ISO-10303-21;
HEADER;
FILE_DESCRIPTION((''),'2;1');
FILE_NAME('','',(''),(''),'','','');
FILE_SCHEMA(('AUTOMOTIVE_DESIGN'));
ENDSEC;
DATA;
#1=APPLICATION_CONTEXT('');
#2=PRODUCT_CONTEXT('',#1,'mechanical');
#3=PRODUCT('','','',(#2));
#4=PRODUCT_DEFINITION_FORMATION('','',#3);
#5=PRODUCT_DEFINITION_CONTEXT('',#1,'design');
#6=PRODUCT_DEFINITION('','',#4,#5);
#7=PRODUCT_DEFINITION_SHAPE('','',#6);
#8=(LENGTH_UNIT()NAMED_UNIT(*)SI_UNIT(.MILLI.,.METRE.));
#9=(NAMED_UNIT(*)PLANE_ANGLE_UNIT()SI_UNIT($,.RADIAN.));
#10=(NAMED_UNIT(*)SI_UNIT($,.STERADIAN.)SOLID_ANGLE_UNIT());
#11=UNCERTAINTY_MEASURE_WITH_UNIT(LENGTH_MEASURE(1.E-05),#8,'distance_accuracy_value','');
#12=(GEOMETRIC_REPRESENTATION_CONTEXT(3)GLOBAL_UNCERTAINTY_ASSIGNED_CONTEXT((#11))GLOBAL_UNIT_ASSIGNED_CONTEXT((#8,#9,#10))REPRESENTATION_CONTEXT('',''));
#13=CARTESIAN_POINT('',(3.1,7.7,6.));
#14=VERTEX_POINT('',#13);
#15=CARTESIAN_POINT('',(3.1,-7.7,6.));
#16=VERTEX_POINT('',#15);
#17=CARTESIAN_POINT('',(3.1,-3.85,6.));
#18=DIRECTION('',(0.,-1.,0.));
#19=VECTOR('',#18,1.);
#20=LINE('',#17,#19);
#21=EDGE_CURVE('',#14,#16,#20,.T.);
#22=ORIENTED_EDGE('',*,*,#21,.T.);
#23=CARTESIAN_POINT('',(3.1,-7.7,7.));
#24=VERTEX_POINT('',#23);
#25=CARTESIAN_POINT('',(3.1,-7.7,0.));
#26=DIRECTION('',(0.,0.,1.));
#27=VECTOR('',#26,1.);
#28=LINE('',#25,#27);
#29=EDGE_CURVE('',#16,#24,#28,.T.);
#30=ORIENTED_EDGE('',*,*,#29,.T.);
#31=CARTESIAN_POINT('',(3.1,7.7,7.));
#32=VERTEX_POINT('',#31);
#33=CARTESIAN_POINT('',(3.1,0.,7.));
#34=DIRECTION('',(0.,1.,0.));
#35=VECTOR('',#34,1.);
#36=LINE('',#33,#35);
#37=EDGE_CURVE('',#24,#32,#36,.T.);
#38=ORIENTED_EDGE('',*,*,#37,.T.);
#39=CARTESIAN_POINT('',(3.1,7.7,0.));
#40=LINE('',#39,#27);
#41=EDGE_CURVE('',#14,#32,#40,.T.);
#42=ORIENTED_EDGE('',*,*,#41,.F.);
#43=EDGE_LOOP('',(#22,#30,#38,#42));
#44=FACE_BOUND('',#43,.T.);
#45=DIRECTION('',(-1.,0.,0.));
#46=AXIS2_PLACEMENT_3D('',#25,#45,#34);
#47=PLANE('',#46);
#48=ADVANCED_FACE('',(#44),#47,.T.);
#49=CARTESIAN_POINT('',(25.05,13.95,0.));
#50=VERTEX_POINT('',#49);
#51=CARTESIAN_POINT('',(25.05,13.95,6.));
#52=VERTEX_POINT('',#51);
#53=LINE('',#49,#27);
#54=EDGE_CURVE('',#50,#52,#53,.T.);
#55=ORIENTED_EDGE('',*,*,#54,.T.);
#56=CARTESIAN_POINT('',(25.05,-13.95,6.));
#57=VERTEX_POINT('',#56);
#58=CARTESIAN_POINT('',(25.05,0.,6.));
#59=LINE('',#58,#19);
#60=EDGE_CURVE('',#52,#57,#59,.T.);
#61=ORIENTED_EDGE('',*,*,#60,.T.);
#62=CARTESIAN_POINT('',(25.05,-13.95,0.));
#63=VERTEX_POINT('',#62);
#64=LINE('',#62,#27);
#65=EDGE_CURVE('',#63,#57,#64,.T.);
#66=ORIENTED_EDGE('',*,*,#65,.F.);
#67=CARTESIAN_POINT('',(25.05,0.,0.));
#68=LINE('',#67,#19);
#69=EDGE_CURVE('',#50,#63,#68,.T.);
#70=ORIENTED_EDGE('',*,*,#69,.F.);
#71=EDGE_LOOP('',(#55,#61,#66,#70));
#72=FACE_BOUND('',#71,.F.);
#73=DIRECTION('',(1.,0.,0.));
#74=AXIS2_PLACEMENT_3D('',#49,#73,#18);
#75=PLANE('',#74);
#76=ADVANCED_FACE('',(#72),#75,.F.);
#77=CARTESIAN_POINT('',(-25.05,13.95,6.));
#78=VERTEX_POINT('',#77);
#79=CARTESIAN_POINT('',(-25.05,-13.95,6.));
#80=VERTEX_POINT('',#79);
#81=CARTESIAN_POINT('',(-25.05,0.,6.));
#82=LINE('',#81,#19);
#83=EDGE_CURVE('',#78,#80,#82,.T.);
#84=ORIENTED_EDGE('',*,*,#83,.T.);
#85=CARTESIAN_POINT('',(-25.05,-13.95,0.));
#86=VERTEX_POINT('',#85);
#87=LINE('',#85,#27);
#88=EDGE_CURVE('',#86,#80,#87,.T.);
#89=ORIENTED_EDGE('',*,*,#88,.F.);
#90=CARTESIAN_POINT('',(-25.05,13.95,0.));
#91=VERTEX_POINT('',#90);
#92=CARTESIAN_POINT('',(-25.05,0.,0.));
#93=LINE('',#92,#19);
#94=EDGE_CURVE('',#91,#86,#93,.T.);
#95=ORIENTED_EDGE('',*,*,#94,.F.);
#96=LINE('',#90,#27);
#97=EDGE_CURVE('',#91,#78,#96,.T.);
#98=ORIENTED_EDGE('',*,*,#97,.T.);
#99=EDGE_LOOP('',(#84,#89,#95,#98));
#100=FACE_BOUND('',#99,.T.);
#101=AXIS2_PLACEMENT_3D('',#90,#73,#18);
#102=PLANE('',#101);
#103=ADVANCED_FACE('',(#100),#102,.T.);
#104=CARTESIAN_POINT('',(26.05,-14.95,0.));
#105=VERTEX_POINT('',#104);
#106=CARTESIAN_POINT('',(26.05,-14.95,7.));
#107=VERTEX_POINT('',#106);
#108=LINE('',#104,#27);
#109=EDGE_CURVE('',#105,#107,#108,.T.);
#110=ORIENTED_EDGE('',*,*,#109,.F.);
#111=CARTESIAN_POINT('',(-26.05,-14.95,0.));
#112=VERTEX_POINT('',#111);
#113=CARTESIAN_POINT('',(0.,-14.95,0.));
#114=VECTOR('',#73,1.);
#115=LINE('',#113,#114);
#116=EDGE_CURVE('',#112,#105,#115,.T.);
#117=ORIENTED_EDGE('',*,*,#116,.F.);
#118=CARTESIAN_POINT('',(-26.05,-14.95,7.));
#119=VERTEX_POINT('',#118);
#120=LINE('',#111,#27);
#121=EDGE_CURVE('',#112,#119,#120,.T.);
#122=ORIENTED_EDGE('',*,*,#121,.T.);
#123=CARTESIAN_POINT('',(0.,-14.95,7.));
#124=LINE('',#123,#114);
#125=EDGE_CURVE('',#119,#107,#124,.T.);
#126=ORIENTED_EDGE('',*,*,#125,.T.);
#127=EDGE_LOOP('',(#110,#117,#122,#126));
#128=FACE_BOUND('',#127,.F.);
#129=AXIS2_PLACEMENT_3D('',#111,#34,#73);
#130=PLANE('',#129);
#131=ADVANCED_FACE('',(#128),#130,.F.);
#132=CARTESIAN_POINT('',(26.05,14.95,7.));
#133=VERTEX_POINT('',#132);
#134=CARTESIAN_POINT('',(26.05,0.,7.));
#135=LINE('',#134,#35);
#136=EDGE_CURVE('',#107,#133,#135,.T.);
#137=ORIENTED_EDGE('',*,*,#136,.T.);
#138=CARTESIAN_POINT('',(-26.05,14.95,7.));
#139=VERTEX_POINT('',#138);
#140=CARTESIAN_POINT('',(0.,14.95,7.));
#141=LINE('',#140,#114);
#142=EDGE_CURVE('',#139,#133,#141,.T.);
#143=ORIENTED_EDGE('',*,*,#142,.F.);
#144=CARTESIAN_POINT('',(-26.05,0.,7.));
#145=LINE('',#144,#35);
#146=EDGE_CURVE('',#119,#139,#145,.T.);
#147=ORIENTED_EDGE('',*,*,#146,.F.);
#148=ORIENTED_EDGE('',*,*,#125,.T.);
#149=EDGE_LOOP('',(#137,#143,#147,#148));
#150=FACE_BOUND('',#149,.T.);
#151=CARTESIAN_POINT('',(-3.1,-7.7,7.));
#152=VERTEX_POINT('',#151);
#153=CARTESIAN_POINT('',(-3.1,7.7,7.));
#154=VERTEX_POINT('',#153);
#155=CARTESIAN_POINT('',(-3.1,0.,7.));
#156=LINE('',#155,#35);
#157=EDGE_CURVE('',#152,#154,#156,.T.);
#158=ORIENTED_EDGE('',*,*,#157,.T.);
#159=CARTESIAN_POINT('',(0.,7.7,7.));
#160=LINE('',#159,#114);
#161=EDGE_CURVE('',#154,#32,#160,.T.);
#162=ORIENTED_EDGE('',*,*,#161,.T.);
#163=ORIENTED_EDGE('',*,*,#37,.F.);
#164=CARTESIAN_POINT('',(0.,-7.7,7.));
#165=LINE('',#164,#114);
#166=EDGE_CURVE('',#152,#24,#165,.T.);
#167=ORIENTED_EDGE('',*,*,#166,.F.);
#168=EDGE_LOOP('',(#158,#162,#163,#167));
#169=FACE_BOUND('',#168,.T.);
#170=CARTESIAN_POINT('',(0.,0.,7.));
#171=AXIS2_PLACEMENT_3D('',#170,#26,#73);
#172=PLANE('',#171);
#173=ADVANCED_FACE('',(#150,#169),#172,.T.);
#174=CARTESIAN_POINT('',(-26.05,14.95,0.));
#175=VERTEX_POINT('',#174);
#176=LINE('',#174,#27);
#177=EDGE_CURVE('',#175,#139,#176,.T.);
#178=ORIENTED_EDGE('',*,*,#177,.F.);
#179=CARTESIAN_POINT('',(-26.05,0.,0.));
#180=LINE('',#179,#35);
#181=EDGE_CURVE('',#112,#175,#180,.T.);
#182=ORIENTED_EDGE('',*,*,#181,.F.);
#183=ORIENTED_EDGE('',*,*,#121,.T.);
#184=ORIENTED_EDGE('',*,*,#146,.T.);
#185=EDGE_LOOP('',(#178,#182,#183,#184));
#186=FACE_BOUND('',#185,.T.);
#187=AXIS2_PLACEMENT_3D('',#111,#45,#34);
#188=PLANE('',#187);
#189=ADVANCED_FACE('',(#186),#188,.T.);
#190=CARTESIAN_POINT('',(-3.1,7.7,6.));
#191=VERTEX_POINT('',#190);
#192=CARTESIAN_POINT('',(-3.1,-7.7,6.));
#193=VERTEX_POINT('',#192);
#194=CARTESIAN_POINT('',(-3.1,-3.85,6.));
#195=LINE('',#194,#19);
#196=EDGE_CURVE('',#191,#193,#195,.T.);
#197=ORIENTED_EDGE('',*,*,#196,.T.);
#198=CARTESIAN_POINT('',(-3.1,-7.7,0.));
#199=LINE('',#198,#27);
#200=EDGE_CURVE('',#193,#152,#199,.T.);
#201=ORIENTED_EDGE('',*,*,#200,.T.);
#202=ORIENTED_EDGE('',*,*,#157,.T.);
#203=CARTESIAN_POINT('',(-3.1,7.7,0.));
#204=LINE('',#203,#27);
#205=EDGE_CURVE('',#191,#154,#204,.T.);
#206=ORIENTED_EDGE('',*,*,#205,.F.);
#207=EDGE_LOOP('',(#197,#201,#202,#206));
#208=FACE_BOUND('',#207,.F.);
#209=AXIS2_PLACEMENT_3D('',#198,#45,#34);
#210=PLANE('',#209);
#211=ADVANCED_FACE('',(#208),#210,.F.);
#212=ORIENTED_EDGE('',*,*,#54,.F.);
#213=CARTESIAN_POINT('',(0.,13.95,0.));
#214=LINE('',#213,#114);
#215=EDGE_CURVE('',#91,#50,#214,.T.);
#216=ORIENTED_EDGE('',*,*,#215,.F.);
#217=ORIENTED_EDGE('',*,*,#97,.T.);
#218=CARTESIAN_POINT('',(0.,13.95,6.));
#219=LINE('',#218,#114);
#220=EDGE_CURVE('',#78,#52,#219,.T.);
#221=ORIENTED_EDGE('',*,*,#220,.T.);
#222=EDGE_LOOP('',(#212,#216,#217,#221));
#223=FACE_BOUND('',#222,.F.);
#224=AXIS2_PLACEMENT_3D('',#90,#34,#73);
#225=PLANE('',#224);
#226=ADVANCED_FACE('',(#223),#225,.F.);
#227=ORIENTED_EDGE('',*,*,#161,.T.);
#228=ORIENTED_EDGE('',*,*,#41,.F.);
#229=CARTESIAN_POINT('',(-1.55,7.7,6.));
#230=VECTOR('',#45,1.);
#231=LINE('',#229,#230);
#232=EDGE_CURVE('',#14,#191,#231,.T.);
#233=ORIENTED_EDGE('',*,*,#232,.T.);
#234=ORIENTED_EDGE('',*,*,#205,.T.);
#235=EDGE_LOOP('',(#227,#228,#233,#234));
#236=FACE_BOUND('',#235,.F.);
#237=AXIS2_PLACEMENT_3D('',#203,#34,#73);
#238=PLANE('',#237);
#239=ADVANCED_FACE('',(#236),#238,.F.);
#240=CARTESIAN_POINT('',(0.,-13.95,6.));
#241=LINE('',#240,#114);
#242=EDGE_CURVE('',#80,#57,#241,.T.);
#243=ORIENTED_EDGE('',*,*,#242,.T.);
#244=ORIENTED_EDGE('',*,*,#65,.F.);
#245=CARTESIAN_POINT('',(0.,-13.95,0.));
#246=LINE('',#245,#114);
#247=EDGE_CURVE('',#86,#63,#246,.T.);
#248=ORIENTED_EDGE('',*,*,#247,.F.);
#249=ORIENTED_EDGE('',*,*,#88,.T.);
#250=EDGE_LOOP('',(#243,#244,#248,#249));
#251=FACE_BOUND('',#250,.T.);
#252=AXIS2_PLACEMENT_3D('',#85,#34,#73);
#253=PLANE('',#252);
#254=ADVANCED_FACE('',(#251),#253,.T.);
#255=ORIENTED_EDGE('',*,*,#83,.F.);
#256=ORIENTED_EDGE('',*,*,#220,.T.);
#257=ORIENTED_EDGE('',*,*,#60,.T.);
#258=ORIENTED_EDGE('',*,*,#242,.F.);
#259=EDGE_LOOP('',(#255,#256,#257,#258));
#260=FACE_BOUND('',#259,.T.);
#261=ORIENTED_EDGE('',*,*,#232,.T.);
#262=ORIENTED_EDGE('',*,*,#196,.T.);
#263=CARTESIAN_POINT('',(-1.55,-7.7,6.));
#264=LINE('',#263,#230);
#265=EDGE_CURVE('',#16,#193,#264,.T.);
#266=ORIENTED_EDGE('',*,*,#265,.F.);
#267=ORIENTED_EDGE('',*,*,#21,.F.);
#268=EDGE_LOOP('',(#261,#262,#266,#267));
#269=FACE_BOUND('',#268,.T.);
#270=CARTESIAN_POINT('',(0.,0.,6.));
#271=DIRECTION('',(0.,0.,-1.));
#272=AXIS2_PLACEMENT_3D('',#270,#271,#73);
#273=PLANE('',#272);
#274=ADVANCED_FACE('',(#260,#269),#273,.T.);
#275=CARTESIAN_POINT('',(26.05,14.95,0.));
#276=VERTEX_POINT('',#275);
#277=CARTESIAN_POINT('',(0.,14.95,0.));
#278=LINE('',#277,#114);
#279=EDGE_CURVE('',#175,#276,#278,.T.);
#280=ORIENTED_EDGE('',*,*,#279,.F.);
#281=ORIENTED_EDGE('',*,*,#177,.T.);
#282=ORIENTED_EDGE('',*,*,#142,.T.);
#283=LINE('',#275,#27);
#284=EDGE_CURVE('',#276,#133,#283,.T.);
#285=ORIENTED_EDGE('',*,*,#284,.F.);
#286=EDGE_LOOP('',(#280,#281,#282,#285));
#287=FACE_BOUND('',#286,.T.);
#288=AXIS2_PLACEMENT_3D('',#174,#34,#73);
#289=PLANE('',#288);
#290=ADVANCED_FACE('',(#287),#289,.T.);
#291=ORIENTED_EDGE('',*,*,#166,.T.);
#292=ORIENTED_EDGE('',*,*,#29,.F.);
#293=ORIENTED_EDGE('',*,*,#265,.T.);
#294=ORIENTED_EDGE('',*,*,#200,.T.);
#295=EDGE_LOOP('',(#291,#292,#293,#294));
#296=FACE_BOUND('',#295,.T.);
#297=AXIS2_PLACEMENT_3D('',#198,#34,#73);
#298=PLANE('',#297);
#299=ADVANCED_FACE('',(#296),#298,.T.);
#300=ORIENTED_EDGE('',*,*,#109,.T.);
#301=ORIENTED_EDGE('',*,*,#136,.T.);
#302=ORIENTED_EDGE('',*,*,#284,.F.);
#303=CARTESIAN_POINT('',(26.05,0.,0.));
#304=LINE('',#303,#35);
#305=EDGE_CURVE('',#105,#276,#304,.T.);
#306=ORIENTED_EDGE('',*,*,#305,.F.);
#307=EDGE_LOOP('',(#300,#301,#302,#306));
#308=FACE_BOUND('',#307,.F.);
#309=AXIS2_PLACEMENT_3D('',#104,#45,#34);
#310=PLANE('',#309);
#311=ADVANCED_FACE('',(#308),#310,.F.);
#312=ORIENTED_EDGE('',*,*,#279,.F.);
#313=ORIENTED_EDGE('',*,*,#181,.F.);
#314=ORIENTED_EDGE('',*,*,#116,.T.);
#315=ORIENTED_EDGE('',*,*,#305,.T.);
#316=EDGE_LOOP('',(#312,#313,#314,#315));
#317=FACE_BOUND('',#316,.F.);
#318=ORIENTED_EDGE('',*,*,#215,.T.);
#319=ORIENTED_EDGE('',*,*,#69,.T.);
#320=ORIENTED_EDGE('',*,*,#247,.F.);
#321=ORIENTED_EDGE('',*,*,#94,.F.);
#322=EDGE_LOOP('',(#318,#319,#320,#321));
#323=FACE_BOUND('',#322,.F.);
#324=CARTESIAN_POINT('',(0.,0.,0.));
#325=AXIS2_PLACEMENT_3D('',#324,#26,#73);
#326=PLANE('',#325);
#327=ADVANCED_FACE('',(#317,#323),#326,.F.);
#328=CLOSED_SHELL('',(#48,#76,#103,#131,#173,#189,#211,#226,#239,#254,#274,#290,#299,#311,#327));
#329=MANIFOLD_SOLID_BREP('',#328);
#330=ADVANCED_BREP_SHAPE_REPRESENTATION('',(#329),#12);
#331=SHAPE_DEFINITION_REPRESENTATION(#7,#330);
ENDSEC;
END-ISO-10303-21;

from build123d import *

# Parameters (mm, degrees)
SKETCH_W     = 52.1
SKETCH_H     = 29.9
SKETCH_W_2   = 6.2
SKETCH_H_2   = 15.4
PAD_DEPTH    = 7
SKETCH001_W  = 50.1
SKETCH001_H  = 27.9
POCKET_DEPTH = 6


with BuildPart() as part:
    # Sketch → Pad (new body)
    with BuildSketch(Plane.XY):
        Rectangle(SKETCH_W, SKETCH_H)
        Rectangle(SKETCH_W_2, SKETCH_H_2, mode=Mode.SUBTRACT)
    extrude(amount=PAD_DEPTH)

    # Sketch001 (on Face9 of Pad) → Pocket (cut)
    with BuildSketch(Plane(origin=(0, 0, 0), x_dir=(1, 0, 0), z_dir=(0, 0, -1))):
        Rectangle(SKETCH001_W, SKETCH001_H)
    extrude(amount=-POCKET_DEPTH, mode=Mode.SUBTRACT)


solid = part.part
